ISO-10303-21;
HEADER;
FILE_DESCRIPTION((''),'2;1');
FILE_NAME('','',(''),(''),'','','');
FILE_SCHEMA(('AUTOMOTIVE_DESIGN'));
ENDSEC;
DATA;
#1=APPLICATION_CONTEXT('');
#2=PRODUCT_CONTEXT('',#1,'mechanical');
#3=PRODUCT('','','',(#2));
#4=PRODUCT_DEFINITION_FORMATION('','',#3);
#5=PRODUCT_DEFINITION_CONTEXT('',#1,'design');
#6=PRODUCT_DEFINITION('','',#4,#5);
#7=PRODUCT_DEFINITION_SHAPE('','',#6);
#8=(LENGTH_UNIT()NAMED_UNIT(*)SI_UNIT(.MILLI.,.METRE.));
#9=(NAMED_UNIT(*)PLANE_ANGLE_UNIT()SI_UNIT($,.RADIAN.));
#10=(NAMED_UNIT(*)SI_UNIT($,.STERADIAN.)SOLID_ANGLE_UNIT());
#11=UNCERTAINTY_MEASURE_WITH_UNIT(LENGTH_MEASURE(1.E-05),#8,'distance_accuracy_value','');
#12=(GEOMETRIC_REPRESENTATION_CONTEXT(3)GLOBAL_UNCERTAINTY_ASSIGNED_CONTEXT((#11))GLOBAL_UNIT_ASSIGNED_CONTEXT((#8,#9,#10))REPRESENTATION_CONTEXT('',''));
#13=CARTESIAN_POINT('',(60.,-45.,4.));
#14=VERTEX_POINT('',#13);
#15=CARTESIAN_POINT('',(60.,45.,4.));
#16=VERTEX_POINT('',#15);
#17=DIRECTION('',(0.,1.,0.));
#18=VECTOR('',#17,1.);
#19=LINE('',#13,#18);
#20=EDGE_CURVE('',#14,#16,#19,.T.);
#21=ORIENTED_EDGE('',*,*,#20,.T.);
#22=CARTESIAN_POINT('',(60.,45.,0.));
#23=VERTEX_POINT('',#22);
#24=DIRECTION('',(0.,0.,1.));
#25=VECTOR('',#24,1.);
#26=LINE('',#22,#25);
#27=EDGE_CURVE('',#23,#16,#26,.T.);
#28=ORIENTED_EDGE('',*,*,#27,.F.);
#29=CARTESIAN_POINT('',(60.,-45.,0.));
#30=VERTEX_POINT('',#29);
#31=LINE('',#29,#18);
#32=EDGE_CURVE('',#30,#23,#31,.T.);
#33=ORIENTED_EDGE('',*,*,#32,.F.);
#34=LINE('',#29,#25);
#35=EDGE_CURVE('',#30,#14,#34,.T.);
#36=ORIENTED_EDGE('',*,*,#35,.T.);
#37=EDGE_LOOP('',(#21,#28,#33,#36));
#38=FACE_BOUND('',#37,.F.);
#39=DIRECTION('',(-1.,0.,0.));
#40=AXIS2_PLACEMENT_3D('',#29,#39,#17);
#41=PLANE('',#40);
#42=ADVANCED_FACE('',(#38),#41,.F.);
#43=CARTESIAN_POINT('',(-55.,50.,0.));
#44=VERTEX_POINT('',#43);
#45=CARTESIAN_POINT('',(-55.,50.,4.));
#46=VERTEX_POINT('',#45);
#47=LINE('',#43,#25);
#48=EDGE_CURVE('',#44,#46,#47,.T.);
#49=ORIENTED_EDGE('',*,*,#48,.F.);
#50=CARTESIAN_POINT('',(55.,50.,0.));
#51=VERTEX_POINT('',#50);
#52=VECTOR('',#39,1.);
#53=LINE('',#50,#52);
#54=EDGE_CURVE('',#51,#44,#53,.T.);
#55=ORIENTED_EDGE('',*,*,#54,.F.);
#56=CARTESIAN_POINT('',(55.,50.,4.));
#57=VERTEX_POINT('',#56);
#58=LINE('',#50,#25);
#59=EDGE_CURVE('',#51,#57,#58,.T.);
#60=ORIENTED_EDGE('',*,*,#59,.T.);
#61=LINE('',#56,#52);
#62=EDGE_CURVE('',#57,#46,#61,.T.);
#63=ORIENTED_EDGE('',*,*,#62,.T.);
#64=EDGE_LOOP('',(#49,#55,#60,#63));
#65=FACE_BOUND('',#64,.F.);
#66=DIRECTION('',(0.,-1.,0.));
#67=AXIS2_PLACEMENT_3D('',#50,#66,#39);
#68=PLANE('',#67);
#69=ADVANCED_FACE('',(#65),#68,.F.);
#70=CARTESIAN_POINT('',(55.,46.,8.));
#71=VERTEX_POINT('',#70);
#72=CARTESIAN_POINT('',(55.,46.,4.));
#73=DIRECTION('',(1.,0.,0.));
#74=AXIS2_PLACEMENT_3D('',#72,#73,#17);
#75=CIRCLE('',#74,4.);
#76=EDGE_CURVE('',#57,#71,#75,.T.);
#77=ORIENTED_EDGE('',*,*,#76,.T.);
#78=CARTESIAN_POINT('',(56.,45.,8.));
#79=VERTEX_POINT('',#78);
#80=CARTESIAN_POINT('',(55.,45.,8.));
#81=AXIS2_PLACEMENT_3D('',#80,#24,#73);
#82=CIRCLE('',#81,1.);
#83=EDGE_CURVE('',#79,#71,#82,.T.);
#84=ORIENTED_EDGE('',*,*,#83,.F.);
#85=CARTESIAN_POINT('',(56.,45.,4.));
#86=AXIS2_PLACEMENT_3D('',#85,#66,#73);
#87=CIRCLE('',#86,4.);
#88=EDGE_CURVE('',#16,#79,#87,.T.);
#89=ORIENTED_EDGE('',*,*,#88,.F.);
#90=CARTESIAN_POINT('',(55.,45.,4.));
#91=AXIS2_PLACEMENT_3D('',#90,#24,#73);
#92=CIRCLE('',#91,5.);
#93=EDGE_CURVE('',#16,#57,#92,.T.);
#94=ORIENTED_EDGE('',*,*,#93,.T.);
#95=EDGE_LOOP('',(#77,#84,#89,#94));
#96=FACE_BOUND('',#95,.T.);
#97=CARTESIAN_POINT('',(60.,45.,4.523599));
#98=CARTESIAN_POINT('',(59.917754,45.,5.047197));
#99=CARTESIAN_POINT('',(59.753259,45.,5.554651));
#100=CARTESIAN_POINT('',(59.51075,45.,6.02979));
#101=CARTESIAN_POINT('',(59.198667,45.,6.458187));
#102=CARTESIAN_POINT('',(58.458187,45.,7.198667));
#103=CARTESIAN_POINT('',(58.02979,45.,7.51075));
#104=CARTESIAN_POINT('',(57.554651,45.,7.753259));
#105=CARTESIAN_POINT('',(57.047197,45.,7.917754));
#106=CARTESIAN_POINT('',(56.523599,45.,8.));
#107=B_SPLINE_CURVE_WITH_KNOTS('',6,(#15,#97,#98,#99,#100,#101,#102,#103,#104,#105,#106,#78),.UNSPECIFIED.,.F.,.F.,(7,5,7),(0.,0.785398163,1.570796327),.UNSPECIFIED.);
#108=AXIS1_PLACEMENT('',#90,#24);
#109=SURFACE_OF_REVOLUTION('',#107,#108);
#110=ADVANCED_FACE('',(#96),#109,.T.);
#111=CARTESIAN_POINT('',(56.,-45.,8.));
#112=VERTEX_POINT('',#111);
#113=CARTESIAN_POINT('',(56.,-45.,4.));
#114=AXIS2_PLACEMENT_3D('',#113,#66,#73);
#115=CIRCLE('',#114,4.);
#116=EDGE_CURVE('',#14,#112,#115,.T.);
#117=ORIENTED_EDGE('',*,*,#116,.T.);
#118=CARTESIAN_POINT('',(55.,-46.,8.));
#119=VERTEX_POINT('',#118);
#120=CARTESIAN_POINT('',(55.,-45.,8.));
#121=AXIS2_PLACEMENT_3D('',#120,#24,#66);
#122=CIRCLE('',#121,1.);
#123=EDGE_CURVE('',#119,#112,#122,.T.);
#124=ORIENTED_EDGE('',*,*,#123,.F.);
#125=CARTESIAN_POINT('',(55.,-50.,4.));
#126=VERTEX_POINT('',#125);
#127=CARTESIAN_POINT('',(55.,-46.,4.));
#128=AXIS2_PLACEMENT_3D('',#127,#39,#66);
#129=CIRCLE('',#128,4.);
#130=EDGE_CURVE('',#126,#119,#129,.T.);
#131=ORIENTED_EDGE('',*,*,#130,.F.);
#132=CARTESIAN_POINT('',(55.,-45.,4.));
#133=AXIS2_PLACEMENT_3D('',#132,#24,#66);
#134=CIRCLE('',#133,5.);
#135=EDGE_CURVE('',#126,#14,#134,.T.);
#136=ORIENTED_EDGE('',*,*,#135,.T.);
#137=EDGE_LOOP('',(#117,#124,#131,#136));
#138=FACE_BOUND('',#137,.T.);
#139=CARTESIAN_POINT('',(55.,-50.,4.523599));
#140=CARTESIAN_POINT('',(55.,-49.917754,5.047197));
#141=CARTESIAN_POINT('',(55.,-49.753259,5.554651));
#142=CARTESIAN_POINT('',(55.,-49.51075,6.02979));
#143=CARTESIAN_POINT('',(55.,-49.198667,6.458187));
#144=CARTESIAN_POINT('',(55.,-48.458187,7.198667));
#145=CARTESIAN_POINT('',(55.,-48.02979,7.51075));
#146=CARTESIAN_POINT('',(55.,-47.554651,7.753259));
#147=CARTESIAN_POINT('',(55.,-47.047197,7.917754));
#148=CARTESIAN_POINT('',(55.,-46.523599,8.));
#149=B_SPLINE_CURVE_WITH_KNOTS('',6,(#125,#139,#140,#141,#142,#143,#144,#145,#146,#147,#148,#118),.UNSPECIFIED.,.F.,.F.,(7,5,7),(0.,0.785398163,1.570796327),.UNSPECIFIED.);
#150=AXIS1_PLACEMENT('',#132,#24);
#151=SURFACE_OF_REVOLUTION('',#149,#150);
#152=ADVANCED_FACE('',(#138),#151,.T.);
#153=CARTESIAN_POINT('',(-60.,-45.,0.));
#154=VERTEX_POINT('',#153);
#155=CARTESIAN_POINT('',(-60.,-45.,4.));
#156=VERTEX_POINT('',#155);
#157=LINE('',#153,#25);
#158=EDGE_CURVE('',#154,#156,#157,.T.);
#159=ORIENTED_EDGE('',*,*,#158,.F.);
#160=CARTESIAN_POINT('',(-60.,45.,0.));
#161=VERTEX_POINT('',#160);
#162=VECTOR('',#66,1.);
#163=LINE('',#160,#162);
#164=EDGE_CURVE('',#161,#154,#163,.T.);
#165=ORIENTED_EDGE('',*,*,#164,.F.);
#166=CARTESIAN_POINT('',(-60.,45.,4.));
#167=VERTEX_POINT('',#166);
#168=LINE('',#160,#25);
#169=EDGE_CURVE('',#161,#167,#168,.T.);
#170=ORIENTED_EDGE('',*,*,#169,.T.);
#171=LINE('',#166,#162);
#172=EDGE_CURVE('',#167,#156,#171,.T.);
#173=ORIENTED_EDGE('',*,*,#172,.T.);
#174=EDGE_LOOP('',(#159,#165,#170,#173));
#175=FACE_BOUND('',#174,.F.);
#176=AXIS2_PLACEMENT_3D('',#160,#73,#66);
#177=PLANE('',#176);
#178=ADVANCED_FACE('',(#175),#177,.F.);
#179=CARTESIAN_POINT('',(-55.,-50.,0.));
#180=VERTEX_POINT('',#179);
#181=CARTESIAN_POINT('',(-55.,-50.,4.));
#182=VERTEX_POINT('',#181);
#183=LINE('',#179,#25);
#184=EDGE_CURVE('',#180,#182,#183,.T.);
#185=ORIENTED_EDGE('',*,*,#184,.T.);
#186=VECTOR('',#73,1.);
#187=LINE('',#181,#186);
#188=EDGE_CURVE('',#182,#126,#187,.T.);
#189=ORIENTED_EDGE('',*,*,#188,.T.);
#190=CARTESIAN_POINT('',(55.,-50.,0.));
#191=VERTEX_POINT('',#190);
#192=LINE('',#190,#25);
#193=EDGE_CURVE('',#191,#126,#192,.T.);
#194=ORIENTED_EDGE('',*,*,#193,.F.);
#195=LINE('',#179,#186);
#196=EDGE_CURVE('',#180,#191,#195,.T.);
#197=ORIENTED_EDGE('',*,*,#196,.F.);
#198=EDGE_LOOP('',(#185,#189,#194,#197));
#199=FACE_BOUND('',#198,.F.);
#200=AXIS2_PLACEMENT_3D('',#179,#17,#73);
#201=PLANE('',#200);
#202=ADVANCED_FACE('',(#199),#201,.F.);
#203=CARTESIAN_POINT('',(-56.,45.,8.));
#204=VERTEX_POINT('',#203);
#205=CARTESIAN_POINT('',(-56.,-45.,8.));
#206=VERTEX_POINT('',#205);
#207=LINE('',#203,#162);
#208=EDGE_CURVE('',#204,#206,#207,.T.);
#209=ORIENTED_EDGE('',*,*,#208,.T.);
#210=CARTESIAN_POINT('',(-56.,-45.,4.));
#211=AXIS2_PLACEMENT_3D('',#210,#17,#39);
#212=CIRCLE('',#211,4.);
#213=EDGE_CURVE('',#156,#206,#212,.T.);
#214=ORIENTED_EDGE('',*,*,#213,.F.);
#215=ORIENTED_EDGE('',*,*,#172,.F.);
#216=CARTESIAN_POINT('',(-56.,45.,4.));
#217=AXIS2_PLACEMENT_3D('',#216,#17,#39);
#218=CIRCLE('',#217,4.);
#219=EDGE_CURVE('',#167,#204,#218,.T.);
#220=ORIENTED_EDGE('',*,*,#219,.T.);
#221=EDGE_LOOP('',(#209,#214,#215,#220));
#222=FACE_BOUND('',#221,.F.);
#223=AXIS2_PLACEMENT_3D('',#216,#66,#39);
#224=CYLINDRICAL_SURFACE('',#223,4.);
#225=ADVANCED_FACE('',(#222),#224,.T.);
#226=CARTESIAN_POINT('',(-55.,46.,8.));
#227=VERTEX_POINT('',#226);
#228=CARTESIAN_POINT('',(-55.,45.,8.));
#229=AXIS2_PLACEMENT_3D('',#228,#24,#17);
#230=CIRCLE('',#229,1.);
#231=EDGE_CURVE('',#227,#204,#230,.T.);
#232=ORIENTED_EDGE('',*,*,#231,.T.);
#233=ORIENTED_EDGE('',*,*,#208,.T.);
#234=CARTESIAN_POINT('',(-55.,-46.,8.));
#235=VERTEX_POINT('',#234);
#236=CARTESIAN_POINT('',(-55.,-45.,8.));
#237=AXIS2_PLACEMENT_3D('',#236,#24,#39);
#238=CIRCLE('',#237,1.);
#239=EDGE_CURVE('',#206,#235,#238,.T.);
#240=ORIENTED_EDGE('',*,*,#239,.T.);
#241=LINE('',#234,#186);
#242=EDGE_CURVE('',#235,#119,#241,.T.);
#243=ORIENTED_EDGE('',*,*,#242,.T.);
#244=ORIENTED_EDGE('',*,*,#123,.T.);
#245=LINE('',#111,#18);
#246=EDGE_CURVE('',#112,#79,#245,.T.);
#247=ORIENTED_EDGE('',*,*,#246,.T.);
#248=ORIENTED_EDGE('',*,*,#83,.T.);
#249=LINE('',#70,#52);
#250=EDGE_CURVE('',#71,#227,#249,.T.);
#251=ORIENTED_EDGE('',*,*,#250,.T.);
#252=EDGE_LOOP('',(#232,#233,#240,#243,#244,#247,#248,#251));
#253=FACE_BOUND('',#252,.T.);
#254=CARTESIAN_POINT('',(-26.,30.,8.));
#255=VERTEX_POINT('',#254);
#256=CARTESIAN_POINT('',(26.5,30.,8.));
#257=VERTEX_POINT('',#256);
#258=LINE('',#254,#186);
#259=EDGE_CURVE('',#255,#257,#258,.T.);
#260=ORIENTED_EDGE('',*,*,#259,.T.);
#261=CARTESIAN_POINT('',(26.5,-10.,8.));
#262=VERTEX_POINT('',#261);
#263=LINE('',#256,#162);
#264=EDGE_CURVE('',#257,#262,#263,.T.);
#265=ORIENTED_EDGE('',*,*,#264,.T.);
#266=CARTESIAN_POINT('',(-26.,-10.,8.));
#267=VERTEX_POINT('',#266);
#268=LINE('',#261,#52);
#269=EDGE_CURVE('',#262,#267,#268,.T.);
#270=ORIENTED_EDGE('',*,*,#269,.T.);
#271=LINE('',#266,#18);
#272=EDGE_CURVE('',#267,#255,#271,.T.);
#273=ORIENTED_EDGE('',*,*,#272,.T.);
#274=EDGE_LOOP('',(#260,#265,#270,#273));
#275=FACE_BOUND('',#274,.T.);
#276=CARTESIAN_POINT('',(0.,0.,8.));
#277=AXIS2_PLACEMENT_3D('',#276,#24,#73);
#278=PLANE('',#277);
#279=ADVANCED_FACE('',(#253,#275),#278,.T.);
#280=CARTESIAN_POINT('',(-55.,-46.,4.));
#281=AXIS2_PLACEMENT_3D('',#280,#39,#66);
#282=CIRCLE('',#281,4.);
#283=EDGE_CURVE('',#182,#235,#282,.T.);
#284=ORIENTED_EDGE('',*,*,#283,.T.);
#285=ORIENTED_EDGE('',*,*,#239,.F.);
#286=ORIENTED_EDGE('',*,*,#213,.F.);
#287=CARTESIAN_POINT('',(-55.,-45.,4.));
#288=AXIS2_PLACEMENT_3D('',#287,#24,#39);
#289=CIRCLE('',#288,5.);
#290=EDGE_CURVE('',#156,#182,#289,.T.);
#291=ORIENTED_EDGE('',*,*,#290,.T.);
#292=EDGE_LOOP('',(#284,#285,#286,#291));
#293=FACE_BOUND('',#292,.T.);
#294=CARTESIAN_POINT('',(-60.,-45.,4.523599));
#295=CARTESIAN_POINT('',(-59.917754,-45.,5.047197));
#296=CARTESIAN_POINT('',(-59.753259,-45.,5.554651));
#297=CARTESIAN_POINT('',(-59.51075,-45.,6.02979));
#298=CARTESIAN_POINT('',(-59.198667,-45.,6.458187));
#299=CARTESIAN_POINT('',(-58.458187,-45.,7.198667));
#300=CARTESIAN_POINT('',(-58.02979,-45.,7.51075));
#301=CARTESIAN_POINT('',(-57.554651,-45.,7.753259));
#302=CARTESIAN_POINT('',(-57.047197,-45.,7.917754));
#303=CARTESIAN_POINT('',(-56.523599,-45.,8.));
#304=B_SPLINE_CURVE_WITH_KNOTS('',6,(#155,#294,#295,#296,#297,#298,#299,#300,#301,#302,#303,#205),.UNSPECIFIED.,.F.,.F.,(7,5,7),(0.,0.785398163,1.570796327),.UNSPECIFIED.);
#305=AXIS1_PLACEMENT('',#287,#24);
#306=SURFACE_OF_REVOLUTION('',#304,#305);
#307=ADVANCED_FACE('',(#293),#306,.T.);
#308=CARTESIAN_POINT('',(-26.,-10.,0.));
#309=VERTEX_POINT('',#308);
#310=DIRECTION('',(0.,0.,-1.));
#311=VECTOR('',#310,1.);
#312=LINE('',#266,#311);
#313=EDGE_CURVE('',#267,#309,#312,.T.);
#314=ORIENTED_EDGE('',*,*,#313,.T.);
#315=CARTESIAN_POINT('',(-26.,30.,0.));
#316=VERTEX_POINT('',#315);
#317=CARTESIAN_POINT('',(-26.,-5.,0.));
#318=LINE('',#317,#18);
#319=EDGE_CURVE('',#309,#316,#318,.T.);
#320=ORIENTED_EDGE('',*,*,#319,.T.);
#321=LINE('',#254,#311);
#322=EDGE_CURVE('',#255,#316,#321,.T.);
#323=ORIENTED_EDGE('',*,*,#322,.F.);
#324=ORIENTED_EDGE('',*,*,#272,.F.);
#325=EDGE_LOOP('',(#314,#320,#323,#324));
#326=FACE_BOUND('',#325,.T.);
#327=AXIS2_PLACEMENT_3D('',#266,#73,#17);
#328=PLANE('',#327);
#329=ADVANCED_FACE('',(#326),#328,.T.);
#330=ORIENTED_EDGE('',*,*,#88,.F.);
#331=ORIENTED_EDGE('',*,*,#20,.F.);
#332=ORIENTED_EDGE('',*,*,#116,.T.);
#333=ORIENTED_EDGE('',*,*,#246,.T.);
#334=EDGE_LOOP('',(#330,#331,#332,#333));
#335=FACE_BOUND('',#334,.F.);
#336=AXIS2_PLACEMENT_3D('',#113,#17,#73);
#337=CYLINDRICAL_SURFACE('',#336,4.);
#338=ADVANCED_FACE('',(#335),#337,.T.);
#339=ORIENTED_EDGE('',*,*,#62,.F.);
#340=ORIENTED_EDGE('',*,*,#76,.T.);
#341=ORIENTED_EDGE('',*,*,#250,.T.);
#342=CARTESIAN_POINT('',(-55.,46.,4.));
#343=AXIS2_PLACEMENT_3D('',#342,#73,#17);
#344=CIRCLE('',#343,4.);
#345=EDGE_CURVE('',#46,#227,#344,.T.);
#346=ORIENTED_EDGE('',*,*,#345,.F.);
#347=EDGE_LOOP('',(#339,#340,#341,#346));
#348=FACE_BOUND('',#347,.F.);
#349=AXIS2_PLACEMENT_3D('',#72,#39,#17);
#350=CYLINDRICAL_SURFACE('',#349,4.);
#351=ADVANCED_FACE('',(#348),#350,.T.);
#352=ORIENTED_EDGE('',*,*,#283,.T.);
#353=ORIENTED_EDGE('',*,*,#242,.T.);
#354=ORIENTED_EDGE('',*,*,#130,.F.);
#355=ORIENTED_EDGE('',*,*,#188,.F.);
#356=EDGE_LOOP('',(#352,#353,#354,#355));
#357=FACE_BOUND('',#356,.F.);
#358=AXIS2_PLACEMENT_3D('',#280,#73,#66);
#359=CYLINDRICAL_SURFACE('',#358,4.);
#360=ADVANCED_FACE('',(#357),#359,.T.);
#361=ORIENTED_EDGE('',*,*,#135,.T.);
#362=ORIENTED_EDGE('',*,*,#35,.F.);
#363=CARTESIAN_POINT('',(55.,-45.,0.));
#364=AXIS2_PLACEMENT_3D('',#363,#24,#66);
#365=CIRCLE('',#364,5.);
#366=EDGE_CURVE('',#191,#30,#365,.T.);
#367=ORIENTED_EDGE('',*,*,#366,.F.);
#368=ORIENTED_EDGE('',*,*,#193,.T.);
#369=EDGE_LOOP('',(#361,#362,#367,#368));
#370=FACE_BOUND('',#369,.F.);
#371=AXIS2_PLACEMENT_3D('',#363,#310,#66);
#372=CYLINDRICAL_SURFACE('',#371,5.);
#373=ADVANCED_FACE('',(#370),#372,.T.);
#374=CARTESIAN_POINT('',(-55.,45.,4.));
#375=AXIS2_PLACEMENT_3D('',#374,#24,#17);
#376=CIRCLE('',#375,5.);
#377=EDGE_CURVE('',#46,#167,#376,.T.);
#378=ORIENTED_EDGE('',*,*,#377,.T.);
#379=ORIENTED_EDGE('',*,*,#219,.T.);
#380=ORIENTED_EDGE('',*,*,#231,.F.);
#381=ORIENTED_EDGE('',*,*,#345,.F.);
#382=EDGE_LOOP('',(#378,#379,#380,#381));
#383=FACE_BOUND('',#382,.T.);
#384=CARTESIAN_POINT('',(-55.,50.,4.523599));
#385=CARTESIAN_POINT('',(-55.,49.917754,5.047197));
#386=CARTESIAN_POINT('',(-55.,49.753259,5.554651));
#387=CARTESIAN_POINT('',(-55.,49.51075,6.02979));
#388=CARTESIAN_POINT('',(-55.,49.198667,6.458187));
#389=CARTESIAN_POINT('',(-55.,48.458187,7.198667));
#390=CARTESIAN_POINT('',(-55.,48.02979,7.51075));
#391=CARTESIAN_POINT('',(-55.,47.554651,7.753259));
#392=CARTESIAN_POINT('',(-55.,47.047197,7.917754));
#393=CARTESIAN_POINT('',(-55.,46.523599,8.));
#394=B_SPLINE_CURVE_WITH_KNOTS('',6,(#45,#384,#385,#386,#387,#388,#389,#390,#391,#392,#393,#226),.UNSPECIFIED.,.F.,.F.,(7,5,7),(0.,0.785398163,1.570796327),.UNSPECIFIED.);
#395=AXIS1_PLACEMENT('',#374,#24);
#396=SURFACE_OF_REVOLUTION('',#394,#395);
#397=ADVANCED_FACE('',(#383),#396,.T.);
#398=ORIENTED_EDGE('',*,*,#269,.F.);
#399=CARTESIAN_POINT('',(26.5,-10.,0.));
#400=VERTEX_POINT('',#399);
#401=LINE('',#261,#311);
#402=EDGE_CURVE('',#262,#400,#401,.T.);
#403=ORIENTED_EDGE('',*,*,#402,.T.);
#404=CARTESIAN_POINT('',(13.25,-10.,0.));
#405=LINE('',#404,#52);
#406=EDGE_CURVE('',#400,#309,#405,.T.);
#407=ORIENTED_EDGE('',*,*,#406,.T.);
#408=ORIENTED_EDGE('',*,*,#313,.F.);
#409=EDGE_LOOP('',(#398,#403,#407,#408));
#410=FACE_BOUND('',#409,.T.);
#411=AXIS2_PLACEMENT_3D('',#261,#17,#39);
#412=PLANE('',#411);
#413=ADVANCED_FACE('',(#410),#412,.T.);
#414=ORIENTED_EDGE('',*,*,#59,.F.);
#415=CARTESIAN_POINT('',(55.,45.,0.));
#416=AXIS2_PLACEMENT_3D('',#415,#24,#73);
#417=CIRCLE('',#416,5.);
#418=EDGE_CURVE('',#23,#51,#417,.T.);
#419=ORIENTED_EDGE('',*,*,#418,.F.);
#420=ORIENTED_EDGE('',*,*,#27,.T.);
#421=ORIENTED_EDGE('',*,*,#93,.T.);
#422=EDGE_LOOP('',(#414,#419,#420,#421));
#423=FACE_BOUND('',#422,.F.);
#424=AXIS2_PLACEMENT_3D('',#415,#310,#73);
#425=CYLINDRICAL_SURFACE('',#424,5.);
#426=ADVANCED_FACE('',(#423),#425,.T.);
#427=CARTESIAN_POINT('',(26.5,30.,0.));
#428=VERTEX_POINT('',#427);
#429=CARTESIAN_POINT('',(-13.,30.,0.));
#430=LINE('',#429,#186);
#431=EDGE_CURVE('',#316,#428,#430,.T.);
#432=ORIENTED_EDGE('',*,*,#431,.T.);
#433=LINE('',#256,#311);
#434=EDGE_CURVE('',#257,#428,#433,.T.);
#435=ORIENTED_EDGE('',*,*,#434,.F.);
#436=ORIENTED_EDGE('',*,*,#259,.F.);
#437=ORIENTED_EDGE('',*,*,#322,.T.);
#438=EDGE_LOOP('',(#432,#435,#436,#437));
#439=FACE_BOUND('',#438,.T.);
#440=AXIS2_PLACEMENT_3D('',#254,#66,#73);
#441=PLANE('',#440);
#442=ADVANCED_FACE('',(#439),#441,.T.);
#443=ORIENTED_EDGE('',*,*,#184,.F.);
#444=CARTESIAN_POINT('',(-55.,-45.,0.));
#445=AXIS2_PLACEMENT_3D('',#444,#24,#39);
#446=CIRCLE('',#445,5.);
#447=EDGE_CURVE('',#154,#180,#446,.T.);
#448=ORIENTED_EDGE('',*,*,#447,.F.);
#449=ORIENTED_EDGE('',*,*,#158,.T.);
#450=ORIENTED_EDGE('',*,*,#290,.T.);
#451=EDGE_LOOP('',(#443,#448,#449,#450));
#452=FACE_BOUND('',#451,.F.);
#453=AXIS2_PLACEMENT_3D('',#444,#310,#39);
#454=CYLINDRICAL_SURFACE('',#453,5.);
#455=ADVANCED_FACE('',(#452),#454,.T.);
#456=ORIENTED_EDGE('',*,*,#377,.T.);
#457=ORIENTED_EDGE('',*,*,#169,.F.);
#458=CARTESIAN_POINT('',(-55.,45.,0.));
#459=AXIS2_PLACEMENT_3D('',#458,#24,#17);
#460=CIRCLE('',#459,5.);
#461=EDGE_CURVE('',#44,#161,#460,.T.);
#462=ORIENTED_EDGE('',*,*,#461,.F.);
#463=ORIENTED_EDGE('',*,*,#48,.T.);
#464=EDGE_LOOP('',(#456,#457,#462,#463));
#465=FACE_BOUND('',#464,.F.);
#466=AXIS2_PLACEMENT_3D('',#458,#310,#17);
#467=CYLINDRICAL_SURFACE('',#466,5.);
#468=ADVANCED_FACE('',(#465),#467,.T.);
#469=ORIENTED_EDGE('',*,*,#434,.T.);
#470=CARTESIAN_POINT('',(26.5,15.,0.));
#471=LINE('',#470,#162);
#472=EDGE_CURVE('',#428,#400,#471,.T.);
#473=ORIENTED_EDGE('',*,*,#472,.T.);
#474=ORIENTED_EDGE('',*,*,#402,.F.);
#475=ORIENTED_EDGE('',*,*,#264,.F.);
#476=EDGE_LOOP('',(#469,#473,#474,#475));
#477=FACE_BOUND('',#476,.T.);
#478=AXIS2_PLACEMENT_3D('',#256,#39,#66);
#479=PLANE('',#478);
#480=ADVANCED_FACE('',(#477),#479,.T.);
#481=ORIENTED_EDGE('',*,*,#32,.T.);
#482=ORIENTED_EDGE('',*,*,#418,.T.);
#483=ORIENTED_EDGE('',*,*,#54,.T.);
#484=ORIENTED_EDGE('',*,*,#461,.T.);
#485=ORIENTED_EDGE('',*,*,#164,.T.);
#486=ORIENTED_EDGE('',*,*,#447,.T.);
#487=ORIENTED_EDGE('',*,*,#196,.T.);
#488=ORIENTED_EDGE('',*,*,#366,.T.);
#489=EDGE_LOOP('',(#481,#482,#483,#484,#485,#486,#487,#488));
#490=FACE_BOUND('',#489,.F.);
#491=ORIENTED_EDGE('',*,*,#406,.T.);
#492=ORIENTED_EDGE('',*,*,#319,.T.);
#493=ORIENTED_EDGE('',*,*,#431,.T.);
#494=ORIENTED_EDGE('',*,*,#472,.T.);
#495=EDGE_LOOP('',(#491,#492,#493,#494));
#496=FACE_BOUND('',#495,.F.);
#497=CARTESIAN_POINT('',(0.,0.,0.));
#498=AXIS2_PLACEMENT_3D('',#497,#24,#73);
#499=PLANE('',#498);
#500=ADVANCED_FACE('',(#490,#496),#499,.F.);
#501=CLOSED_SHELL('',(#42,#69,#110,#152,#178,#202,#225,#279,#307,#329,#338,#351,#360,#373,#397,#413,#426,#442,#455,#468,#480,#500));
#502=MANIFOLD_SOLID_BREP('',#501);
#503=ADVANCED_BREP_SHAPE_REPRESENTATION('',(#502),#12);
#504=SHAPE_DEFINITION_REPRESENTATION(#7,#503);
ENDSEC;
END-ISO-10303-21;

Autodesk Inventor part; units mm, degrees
ref_plane "YZ Plane" through (0, 0, 0) normal (1, 0, 0) x (0, 1, 0)
ref_plane "XZ Plane" through (0, 0, 0) normal (0, 1, 0) x (-1, 0, 0)
ref_plane "XY Plane" through (0, 0, 0) normal (0, 0, 1) x (1, 0, 0)
sketch "Esquisse2" plane through (0, 0, 0) normal (0, 0, 1) x (1, 0, 0)
  line L0 (-85.4497, 0) -> (85.4497, 0) construction
  line L1 (0, -71.4497) -> (0, 71.4497) construction
  line L2 (-55, -50) -> (55, -50)
  line L3 (60, -45) -> (60, 45)
  line L4 (55, 50) -> (-55, 50)
  line L5 (-60, 45) -> (-60, -45)
  line L6 (-60, -50) -> (60, 50) construction
  line L7 (60, -50) -> (-60, 50) construction
  arc A0 (-55, 50) -> (-60, 45) centre (-55, 45) ccw
  arc A1 (-60, -45) -> (-55, -50) centre (-55, -45) ccw
  arc A2 (55, -50) -> (60, -45) centre (55, -45) ccw
  arc A3 (60, 45) -> (55, 50) centre (55, 45) ccw
  point P0 (0, 0)
  dimension "d0" = 120
  dimension "d1" = 100
  dimension "d2" = 5
extrude "Extrusion1" add sketch "Esquisse2" along normal blind 8
fillet "Congé1" radius 4 8 edges at (58.5355, -48.5355, 8) (60, 0, 8) (58.5355, 48.5355, 8) (0, 50, 8) (-58.5355, 48.5355, 8) (-60, 0, 8) (-58.5355, -48.5355, 8) (0, -50, 8)
sketch "Esquisse3" plane through (0, 0, 8) normal (0, 0, 1) x (1, 0, 0)
  line L0 (-84, 0) -> (84, 0) construction
  line L1 (0, -70) -> (0, 70) construction
  line L2 (55, 50) -> (-55, 50) construction
  line L3 (-60, 45) -> (-60, -45) construction
  line L4 (-60, 50) -> (-26, 50) construction
  line L5 (-26, 50) -> (-26, 30) construction
  line L6 (-26, 30) -> (-60, 30) construction
  line L7 (-60, 30) -> (-60, 50) construction
  line L8 (-26, 30) -> (26.5, 30)
  line L9 (26.5, 30) -> (26.5, -10)
  line L10 (26.5, -10) -> (-26, -10)
  line L11 (-26, -10) -> (-26, 30)
  point P0 (0, 0)
  dimension "d6" = 34
  dimension "d7" = 20
  dimension "d8" = 52.5
  dimension "d9" = 40
extrude "Extrusion2" cut sketch "Esquisse3" against normal through all
properties part number "A2_TopCase" material "Plastique ABS"
